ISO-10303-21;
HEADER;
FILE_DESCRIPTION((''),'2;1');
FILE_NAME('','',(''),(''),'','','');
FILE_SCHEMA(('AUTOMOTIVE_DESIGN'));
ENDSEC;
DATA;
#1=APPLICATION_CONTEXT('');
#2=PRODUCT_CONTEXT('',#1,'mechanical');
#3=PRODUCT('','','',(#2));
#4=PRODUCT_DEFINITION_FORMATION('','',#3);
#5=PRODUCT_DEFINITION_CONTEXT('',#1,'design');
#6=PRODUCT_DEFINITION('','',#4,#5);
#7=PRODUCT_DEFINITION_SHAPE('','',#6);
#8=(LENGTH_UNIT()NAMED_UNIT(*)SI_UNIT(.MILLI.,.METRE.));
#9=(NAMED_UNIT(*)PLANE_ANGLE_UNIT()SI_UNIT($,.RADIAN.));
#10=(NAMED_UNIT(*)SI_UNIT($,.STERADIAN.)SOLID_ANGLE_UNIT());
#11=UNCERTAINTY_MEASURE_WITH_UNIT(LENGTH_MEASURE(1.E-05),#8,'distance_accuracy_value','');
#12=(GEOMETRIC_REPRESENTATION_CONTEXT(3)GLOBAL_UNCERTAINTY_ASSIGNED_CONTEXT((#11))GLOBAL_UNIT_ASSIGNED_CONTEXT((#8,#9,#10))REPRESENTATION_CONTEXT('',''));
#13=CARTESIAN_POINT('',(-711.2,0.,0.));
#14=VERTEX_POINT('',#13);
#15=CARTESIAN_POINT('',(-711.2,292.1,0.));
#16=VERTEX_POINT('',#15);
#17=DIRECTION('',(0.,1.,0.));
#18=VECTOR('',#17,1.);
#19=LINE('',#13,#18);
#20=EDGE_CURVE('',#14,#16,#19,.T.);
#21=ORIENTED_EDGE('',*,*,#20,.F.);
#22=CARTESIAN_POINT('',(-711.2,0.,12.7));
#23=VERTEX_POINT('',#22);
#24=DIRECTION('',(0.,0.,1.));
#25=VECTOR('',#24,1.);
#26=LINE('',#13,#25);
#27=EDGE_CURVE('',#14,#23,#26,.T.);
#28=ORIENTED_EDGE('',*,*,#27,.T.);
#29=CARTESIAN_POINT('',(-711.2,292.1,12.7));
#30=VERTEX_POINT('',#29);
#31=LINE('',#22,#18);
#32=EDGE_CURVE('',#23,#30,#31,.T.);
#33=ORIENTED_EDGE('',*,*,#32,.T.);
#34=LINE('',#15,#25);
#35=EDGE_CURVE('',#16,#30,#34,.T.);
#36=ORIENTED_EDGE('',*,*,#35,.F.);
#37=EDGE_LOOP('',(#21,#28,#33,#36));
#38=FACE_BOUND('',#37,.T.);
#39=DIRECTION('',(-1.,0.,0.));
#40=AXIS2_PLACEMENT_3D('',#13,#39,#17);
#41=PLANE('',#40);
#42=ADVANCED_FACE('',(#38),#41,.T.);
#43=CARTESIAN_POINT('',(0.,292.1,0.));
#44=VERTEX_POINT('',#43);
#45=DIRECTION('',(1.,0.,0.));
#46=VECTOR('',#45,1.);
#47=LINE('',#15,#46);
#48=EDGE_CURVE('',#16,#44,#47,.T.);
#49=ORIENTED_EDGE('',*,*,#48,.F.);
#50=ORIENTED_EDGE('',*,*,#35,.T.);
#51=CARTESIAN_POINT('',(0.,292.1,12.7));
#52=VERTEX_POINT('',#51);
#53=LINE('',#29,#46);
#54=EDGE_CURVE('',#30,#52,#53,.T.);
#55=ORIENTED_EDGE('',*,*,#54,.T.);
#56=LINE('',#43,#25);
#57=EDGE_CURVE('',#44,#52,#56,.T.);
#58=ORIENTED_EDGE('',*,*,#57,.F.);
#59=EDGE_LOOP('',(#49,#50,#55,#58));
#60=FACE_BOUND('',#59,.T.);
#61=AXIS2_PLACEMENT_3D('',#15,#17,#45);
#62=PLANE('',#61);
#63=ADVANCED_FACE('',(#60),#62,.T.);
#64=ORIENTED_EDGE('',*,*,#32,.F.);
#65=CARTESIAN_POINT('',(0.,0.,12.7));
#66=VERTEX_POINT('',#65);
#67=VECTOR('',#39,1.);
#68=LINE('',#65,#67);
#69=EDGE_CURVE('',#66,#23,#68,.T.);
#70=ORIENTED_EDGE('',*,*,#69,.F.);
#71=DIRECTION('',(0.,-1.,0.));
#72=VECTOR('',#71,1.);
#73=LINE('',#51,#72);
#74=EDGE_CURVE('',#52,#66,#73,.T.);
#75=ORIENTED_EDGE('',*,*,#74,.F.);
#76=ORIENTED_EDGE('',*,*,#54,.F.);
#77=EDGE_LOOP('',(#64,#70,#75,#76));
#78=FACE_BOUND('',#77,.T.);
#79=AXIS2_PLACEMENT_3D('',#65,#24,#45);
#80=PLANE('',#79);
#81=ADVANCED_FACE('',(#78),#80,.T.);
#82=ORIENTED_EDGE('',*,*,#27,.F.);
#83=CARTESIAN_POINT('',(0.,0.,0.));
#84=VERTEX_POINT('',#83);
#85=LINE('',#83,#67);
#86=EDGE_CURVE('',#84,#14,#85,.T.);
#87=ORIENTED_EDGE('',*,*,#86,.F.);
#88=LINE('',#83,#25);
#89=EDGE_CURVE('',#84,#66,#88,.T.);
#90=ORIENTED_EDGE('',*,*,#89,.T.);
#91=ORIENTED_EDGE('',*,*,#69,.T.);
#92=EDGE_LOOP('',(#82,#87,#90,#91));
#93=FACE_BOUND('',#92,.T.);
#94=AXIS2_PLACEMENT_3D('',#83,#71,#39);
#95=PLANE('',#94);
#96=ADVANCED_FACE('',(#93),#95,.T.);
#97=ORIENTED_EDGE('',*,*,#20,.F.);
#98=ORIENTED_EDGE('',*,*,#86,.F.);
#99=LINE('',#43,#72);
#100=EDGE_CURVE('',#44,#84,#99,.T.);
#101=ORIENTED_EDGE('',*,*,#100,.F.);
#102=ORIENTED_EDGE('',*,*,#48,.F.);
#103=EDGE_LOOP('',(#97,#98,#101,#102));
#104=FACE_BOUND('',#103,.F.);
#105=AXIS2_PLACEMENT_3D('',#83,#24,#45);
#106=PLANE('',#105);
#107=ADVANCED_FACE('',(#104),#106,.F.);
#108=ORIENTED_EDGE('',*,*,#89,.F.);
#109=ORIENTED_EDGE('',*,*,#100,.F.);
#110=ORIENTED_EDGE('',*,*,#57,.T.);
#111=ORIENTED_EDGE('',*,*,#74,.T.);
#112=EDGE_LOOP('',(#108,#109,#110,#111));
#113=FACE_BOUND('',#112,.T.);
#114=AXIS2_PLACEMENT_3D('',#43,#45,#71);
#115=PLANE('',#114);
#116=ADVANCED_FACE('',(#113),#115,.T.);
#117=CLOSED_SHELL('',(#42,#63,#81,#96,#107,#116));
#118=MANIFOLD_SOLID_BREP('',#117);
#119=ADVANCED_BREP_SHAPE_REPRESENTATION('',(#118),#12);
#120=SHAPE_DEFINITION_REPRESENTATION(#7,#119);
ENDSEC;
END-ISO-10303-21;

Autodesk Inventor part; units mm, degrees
ref_plane "YZ Plane" through (0, 0, 0) normal (1, 0, 0) x (0, 1, 0)
ref_plane "XZ Plane" through (0, 0, 0) normal (0, 1, 0) x (-1, 0, 0)
ref_plane "XY Plane" through (0, 0, 0) normal (0, 0, 1) x (1, 0, 0)
sketch "Sketch1" plane through (0, 0, 0) normal (0, 0, 1) x (1, 0, 0)
  line L0 (0, 0) -> (-711.2, 0)
  line L1 (-711.2, 0) -> (-711.2, 292.1)
  line L2 (-711.2, 292.1) -> (0, 292.1)
  line L3 (0, 292.1) -> (0, 0)
  dimension "d0" = 292.1
  dimension "d1" = 711.2
extrude "Extrusion1" add sketch "Sketch1" along normal blind 12.7
properties part number "cart front" material "Wood (Birch)"
